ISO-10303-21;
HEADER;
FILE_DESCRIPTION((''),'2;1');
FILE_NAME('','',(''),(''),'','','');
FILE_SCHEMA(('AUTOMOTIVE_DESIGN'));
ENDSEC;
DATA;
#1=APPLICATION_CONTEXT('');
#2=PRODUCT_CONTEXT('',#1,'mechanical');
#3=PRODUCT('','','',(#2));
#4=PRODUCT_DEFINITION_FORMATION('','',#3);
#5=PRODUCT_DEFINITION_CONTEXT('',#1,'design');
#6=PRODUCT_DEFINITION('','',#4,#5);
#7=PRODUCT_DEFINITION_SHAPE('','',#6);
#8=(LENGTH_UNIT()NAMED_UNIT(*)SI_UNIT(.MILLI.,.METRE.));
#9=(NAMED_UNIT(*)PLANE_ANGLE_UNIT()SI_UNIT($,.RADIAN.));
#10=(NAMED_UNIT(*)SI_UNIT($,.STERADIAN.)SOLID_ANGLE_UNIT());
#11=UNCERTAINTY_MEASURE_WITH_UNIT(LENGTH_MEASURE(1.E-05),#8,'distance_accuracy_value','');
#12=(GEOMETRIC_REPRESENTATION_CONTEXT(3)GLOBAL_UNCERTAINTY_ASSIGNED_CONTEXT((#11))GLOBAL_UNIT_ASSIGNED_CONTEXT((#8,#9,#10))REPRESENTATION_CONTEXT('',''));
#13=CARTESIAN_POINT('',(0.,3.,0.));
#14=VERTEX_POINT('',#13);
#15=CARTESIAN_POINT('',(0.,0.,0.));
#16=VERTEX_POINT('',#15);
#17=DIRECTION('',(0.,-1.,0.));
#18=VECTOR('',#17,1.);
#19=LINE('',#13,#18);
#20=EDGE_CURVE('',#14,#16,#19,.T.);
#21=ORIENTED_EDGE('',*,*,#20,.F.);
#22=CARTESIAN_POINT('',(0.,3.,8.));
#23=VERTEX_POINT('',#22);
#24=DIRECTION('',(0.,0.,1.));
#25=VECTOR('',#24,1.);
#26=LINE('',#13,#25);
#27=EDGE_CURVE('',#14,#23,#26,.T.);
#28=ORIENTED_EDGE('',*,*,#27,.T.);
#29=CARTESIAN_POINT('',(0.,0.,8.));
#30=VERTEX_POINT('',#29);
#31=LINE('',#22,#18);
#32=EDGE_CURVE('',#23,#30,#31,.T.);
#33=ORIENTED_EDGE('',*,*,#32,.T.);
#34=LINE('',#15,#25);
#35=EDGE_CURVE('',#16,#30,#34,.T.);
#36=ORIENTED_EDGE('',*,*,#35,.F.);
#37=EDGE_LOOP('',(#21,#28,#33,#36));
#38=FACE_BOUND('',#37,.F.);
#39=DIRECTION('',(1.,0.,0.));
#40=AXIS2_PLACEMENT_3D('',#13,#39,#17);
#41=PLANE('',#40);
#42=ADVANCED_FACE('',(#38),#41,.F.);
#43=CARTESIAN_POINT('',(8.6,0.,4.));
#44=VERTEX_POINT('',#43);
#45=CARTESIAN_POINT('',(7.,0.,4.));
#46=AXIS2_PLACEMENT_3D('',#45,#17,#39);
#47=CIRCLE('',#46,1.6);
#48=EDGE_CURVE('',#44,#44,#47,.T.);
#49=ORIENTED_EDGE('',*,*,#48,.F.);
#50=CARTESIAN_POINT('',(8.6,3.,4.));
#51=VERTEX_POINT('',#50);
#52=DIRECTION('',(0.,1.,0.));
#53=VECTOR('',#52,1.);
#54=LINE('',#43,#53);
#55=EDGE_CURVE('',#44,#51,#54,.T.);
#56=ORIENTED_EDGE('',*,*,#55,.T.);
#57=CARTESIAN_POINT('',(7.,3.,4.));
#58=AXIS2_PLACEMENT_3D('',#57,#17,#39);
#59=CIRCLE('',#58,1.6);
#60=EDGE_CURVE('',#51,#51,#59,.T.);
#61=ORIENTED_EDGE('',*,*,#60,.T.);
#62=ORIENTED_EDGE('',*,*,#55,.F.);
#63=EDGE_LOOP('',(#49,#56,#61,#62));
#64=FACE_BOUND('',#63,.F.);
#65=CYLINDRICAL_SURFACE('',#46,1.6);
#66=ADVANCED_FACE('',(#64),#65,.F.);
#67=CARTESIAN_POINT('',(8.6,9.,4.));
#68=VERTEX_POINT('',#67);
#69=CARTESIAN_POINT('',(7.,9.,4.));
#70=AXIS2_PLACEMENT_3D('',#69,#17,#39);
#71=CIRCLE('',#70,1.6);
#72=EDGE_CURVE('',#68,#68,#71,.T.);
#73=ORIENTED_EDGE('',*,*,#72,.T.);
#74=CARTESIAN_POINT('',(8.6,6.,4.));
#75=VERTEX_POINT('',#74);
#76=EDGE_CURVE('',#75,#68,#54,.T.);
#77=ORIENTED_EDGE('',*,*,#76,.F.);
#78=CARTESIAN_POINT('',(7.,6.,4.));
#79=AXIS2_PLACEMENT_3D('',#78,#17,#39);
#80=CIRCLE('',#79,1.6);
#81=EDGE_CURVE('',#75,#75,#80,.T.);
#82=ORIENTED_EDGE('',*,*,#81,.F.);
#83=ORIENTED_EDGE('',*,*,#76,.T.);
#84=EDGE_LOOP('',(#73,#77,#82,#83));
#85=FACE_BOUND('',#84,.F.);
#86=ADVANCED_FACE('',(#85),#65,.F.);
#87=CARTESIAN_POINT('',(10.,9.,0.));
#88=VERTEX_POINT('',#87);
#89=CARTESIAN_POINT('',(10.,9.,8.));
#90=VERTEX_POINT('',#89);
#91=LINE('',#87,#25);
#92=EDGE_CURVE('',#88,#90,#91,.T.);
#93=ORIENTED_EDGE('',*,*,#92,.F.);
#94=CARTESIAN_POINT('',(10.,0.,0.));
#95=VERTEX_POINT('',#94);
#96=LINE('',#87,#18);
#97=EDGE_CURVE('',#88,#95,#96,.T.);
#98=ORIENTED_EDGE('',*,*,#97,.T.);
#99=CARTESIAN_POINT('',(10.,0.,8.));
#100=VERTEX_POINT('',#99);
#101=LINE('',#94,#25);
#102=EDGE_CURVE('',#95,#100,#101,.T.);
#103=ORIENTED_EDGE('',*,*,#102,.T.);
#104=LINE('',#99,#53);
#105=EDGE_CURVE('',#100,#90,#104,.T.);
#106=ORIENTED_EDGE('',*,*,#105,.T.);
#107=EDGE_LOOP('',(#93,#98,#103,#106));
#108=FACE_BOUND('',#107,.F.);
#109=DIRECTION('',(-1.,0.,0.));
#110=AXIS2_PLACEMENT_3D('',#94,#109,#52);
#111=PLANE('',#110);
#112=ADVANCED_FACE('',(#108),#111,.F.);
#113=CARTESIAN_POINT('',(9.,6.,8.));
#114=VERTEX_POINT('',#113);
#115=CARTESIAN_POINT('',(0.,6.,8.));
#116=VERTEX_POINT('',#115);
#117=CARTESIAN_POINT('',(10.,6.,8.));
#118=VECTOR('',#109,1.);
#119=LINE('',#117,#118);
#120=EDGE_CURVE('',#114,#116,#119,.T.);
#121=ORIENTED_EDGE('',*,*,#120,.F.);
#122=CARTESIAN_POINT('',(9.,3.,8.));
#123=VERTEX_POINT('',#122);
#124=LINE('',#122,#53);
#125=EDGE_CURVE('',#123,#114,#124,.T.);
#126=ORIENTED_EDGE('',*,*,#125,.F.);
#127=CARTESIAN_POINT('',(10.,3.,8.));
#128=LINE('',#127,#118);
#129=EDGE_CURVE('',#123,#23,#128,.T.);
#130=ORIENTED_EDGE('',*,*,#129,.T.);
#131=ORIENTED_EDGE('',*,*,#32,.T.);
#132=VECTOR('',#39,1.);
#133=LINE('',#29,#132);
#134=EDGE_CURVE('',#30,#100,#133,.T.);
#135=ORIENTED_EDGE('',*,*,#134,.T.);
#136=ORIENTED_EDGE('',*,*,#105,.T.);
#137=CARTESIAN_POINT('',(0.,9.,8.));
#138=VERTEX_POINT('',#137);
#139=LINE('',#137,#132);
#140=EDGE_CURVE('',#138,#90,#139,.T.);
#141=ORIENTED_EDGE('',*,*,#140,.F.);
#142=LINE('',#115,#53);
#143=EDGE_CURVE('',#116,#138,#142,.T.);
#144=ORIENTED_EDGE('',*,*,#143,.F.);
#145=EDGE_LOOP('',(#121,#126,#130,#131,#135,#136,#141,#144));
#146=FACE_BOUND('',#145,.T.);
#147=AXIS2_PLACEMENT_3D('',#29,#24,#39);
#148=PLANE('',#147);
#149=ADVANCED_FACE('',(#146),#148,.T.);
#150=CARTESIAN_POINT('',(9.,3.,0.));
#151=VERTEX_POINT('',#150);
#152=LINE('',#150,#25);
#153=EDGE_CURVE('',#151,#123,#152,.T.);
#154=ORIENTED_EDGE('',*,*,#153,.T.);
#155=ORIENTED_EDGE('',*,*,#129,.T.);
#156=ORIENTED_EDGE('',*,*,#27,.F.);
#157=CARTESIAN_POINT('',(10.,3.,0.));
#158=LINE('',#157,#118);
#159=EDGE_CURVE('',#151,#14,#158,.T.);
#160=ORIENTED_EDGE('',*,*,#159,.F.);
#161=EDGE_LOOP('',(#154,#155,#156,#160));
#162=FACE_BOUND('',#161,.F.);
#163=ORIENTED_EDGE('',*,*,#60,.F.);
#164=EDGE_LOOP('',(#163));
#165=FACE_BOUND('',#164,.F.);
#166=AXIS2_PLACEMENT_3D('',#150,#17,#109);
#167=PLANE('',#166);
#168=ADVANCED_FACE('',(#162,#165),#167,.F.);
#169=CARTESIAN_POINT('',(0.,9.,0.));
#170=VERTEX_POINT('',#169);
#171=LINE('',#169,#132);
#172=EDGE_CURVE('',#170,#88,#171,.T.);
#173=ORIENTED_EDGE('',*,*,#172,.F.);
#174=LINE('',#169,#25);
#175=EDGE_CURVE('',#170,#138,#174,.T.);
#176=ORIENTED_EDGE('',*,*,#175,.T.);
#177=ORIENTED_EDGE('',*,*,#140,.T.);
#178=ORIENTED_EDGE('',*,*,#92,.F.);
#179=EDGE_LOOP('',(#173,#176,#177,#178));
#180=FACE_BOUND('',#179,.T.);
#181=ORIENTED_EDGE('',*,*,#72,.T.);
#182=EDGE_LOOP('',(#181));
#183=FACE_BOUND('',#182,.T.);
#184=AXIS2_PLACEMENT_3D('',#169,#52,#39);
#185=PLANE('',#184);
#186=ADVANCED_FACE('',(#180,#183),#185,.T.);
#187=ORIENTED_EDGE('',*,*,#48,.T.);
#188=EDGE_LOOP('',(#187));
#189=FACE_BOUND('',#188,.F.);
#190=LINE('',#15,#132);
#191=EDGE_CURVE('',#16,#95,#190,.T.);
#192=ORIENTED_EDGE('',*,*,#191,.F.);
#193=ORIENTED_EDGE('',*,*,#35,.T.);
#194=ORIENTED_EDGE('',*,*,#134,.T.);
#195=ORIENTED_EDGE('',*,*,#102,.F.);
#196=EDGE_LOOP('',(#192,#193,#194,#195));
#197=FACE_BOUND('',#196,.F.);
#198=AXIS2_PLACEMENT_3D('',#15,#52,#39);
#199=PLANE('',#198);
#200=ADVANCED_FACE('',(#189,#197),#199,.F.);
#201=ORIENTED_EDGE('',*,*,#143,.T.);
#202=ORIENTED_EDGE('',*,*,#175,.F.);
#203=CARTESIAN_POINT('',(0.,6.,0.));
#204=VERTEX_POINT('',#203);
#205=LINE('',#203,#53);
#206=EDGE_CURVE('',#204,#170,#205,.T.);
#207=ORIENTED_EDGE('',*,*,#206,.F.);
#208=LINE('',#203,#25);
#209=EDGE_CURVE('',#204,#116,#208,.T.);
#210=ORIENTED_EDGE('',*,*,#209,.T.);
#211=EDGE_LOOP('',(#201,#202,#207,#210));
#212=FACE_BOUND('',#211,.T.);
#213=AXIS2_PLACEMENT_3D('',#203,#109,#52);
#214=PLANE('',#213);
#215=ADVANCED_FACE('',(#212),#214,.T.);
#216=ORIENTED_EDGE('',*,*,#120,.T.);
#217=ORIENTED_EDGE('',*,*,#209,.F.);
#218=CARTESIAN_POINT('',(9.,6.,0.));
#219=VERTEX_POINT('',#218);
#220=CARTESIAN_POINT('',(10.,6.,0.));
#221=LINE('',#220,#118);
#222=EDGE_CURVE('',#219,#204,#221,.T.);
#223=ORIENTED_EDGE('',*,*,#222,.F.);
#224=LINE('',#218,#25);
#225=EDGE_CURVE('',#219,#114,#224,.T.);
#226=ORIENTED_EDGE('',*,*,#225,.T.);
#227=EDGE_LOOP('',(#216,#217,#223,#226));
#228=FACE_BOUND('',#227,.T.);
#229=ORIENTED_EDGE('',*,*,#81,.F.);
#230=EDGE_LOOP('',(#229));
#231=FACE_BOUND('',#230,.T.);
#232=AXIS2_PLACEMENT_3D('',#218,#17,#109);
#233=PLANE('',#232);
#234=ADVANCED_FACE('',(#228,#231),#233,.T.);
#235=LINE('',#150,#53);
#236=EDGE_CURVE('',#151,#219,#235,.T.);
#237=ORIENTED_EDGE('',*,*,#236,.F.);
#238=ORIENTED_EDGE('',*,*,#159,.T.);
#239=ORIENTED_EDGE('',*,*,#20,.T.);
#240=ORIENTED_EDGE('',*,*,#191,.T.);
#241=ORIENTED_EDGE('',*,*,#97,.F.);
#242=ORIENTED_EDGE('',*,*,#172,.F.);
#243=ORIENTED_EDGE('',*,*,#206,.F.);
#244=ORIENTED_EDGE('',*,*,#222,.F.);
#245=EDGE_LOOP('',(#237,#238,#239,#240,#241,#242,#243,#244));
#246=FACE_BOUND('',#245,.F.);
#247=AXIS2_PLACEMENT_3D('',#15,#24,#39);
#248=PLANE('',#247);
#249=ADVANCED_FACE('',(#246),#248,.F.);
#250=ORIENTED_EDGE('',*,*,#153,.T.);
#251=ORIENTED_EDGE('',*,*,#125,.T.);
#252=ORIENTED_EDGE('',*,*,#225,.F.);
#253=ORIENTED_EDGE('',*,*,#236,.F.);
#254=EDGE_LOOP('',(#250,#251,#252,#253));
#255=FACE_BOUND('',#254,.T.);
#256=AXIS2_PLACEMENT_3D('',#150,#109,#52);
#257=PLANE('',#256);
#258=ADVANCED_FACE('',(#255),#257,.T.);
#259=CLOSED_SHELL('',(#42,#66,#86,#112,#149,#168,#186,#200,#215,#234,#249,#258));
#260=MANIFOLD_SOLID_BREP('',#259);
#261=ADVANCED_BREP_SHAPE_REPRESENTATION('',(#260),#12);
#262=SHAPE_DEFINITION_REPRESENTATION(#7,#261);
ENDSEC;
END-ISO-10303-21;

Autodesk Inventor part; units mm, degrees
ref_plane "YZ Plane" through (0, 0, 0) normal (1, 0, 0) x (0, 1, 0)
ref_plane "XZ Plane" through (0, 0, 0) normal (0, 1, 0) x (-1, 0, 0)
ref_plane "XY Plane" through (0, 0, 0) normal (0, 0, 1) x (1, 0, 0)
sketch "Sketch1" plane through (0, 0, 0) normal (0, 0, 1) x (1, 0, 0)
  line L0 (0, 0) -> (10, 0)
  line L1 (10, 0) -> (10, 3)
  line L2 (10, 3) -> (0, 3)
  line L3 (0, 3) -> (0, 0)
  line L4 (10, 3) -> (9, 3)
  line L5 (9, 3) -> (9, 6)
  line L6 (9, 6) -> (10, 6)
  line L7 (10, 6) -> (10, 3)
  line L8 (10, 6) -> (0, 6)
  line L9 (0, 6) -> (0, 9)
  line L10 (0, 9) -> (10, 9)
  line L11 (10, 9) -> (10, 6)
  dimension "d0" = 3
  dimension "d1" = 10
  dimension "d2" = 3
  dimension "d3" = 3
  dimension "d4" = 1
extrude "Extrusion1" add sketch "Sketch1" along normal blind 8
sketch "Sketch2" plane through (0, 0, 0) normal (0, -1, 0) x (1, 0, 0)
  line L0 (10, 0) -> (10, 8) projected
  circle A0 centre (7, 4) radius 1.6
  point P0 (10, 4)
  dimension "d7" = 3.2
  dimension "d8" = 3
extrude "Extrusion2" cut sketch "Sketch2" against normal blind 10
properties part number "End stop clip"
